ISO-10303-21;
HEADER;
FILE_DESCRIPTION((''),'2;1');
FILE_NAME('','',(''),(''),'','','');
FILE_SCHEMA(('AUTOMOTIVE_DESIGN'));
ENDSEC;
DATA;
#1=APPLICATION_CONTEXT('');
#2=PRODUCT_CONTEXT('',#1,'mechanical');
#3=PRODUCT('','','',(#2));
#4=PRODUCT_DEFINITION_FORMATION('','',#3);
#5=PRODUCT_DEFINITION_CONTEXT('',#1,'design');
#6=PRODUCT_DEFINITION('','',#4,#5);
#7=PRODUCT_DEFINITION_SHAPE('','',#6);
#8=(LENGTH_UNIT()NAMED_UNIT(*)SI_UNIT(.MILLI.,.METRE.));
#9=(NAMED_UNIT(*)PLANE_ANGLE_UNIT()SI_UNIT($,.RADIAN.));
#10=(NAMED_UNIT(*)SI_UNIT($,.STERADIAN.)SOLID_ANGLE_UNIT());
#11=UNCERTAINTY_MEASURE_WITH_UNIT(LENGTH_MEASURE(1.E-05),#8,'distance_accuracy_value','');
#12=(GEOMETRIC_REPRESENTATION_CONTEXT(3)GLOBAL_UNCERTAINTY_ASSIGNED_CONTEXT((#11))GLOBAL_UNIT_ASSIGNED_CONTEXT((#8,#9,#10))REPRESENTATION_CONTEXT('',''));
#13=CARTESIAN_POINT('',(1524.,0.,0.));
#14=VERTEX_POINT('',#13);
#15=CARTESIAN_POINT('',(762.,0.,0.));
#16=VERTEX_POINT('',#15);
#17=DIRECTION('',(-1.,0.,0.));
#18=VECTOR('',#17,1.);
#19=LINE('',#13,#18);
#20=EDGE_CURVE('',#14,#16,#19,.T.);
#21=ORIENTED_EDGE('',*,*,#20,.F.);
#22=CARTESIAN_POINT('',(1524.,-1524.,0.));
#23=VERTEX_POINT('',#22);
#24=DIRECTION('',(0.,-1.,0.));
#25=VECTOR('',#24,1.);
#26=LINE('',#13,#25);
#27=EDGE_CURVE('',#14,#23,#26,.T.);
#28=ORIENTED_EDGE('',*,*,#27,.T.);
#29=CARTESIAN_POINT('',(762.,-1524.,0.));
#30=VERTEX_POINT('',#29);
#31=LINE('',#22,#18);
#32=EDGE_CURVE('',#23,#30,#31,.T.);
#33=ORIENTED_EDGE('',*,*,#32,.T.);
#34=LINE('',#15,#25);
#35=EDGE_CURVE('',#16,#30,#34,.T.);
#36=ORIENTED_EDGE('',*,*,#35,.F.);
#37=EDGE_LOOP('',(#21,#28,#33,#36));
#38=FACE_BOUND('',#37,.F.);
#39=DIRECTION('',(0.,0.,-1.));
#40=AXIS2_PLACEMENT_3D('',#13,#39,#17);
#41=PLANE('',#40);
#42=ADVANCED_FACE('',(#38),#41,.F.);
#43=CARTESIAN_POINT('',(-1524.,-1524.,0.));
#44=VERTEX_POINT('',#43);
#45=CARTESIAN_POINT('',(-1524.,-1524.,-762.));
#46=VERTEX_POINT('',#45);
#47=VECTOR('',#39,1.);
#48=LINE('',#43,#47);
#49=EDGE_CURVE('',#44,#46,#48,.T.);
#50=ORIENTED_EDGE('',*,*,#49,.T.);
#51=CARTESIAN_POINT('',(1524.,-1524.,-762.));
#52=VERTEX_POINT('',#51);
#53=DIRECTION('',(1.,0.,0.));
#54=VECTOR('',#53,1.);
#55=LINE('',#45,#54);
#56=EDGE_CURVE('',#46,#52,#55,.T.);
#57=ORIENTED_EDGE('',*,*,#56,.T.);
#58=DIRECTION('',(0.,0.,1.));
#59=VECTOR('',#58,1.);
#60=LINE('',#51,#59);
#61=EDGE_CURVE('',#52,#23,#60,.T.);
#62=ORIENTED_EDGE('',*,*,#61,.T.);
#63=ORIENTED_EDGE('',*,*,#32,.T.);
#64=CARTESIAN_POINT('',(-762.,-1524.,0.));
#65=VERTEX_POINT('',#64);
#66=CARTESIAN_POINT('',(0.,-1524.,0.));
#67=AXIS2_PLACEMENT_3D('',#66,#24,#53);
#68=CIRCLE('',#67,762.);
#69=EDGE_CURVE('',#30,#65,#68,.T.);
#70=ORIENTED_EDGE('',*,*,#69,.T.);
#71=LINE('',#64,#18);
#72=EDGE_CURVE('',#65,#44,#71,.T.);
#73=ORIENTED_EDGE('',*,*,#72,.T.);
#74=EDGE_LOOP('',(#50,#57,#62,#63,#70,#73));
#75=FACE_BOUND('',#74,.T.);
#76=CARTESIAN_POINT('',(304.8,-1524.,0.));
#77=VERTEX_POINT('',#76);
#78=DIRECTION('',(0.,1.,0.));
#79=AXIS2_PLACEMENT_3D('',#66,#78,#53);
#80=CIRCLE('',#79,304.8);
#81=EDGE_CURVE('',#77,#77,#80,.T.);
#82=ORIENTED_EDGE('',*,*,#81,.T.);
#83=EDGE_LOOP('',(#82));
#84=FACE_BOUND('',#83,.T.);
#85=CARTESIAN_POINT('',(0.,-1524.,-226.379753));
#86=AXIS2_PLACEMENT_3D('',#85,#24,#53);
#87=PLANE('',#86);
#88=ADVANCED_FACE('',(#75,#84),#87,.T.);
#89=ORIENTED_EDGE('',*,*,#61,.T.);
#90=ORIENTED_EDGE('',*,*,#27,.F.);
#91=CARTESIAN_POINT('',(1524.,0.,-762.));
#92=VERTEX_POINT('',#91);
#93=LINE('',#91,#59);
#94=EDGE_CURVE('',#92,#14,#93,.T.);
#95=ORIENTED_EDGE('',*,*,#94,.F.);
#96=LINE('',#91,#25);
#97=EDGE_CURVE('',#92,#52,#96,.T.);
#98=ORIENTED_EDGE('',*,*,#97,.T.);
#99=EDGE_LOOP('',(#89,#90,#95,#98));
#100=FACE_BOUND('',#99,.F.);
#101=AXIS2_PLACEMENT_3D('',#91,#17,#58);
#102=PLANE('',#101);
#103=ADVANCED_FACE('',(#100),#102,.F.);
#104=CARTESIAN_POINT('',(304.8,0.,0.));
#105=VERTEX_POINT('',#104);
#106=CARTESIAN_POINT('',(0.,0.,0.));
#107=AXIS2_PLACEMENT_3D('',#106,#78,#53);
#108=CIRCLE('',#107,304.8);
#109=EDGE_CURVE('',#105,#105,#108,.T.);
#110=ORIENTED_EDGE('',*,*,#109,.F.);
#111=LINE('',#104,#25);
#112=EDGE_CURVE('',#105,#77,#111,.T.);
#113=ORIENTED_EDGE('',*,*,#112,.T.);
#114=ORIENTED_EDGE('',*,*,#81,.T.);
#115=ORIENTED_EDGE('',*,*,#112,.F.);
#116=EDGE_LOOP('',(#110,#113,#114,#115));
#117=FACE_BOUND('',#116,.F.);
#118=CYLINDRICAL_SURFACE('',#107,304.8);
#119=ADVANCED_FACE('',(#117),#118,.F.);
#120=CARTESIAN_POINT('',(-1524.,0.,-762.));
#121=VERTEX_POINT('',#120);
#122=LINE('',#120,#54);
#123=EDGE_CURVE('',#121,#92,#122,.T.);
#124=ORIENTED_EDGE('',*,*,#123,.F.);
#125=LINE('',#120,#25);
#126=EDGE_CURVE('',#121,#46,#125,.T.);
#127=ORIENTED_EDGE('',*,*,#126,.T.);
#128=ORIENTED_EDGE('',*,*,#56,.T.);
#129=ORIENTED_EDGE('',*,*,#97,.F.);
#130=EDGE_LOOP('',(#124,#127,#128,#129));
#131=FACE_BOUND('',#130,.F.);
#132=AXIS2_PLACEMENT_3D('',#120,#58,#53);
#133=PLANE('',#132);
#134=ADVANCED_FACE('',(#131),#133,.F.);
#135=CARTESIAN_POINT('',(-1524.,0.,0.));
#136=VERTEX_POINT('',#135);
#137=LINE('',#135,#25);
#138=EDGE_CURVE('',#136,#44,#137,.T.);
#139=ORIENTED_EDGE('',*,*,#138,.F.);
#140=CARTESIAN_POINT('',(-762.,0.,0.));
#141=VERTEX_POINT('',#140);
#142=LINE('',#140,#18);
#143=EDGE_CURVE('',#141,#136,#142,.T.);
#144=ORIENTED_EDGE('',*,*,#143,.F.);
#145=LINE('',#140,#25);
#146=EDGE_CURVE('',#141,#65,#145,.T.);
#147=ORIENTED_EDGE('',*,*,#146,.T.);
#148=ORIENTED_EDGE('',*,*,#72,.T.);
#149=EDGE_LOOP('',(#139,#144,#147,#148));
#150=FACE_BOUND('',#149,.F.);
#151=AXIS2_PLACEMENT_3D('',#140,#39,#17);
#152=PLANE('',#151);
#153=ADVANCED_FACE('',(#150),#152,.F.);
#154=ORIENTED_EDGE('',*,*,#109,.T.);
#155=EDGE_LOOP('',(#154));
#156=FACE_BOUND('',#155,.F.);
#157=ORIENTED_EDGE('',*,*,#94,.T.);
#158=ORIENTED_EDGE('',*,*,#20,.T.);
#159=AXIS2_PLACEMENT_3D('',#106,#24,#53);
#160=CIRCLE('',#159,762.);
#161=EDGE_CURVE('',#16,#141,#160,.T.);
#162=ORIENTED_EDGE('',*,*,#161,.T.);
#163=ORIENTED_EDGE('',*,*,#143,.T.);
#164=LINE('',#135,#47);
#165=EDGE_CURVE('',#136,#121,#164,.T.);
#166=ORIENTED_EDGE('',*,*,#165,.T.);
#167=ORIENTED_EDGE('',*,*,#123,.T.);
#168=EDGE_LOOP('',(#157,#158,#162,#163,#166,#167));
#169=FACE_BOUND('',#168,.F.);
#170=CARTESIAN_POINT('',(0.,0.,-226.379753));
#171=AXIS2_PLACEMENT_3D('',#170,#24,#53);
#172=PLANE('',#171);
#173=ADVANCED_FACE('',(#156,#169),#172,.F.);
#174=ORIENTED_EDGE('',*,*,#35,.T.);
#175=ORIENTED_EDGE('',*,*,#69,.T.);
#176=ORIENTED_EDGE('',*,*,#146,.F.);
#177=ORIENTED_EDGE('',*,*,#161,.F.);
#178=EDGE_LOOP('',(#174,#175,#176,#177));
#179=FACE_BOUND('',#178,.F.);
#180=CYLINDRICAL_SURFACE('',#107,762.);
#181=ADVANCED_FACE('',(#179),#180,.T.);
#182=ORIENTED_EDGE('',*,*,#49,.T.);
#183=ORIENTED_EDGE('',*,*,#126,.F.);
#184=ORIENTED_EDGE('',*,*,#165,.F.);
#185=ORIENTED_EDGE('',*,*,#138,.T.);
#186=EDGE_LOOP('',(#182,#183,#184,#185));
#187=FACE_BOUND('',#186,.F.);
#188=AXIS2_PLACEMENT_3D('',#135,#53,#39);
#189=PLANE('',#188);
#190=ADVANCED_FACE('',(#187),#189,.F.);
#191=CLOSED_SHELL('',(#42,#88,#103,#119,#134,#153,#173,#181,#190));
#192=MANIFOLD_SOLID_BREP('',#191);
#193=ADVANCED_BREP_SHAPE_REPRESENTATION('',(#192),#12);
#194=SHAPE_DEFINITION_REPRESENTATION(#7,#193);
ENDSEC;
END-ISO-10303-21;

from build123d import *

# Parameters (mm, degrees)
F1_DEPTH = 1524


with BuildPart() as f1:
    # F0 (on Front) → F1 (new body)
    with BuildSketch(Plane.XZ):
        with BuildLine():
            Line((1524, 0), (762, 0))
            ThreePointArc((762, 0), (0, 762), (-762, 0))
            Line((-762, 0), (-1524, 0))
            Line((-1524, 0), (-1524, -762))
            Line((-1524, -762), (1524, -762))
            Line((1524, -762), (1524, 0))
        make_face()
        with BuildLine():
            ThreePointArc((-304.8, 0), (0, 304.8), (304.8, 0))
            ThreePointArc((304.8, 0), (0, -304.8), (-304.8, 0))
        make_face(mode=Mode.SUBTRACT)
    extrude(amount=F1_DEPTH)


solid = f1.part
